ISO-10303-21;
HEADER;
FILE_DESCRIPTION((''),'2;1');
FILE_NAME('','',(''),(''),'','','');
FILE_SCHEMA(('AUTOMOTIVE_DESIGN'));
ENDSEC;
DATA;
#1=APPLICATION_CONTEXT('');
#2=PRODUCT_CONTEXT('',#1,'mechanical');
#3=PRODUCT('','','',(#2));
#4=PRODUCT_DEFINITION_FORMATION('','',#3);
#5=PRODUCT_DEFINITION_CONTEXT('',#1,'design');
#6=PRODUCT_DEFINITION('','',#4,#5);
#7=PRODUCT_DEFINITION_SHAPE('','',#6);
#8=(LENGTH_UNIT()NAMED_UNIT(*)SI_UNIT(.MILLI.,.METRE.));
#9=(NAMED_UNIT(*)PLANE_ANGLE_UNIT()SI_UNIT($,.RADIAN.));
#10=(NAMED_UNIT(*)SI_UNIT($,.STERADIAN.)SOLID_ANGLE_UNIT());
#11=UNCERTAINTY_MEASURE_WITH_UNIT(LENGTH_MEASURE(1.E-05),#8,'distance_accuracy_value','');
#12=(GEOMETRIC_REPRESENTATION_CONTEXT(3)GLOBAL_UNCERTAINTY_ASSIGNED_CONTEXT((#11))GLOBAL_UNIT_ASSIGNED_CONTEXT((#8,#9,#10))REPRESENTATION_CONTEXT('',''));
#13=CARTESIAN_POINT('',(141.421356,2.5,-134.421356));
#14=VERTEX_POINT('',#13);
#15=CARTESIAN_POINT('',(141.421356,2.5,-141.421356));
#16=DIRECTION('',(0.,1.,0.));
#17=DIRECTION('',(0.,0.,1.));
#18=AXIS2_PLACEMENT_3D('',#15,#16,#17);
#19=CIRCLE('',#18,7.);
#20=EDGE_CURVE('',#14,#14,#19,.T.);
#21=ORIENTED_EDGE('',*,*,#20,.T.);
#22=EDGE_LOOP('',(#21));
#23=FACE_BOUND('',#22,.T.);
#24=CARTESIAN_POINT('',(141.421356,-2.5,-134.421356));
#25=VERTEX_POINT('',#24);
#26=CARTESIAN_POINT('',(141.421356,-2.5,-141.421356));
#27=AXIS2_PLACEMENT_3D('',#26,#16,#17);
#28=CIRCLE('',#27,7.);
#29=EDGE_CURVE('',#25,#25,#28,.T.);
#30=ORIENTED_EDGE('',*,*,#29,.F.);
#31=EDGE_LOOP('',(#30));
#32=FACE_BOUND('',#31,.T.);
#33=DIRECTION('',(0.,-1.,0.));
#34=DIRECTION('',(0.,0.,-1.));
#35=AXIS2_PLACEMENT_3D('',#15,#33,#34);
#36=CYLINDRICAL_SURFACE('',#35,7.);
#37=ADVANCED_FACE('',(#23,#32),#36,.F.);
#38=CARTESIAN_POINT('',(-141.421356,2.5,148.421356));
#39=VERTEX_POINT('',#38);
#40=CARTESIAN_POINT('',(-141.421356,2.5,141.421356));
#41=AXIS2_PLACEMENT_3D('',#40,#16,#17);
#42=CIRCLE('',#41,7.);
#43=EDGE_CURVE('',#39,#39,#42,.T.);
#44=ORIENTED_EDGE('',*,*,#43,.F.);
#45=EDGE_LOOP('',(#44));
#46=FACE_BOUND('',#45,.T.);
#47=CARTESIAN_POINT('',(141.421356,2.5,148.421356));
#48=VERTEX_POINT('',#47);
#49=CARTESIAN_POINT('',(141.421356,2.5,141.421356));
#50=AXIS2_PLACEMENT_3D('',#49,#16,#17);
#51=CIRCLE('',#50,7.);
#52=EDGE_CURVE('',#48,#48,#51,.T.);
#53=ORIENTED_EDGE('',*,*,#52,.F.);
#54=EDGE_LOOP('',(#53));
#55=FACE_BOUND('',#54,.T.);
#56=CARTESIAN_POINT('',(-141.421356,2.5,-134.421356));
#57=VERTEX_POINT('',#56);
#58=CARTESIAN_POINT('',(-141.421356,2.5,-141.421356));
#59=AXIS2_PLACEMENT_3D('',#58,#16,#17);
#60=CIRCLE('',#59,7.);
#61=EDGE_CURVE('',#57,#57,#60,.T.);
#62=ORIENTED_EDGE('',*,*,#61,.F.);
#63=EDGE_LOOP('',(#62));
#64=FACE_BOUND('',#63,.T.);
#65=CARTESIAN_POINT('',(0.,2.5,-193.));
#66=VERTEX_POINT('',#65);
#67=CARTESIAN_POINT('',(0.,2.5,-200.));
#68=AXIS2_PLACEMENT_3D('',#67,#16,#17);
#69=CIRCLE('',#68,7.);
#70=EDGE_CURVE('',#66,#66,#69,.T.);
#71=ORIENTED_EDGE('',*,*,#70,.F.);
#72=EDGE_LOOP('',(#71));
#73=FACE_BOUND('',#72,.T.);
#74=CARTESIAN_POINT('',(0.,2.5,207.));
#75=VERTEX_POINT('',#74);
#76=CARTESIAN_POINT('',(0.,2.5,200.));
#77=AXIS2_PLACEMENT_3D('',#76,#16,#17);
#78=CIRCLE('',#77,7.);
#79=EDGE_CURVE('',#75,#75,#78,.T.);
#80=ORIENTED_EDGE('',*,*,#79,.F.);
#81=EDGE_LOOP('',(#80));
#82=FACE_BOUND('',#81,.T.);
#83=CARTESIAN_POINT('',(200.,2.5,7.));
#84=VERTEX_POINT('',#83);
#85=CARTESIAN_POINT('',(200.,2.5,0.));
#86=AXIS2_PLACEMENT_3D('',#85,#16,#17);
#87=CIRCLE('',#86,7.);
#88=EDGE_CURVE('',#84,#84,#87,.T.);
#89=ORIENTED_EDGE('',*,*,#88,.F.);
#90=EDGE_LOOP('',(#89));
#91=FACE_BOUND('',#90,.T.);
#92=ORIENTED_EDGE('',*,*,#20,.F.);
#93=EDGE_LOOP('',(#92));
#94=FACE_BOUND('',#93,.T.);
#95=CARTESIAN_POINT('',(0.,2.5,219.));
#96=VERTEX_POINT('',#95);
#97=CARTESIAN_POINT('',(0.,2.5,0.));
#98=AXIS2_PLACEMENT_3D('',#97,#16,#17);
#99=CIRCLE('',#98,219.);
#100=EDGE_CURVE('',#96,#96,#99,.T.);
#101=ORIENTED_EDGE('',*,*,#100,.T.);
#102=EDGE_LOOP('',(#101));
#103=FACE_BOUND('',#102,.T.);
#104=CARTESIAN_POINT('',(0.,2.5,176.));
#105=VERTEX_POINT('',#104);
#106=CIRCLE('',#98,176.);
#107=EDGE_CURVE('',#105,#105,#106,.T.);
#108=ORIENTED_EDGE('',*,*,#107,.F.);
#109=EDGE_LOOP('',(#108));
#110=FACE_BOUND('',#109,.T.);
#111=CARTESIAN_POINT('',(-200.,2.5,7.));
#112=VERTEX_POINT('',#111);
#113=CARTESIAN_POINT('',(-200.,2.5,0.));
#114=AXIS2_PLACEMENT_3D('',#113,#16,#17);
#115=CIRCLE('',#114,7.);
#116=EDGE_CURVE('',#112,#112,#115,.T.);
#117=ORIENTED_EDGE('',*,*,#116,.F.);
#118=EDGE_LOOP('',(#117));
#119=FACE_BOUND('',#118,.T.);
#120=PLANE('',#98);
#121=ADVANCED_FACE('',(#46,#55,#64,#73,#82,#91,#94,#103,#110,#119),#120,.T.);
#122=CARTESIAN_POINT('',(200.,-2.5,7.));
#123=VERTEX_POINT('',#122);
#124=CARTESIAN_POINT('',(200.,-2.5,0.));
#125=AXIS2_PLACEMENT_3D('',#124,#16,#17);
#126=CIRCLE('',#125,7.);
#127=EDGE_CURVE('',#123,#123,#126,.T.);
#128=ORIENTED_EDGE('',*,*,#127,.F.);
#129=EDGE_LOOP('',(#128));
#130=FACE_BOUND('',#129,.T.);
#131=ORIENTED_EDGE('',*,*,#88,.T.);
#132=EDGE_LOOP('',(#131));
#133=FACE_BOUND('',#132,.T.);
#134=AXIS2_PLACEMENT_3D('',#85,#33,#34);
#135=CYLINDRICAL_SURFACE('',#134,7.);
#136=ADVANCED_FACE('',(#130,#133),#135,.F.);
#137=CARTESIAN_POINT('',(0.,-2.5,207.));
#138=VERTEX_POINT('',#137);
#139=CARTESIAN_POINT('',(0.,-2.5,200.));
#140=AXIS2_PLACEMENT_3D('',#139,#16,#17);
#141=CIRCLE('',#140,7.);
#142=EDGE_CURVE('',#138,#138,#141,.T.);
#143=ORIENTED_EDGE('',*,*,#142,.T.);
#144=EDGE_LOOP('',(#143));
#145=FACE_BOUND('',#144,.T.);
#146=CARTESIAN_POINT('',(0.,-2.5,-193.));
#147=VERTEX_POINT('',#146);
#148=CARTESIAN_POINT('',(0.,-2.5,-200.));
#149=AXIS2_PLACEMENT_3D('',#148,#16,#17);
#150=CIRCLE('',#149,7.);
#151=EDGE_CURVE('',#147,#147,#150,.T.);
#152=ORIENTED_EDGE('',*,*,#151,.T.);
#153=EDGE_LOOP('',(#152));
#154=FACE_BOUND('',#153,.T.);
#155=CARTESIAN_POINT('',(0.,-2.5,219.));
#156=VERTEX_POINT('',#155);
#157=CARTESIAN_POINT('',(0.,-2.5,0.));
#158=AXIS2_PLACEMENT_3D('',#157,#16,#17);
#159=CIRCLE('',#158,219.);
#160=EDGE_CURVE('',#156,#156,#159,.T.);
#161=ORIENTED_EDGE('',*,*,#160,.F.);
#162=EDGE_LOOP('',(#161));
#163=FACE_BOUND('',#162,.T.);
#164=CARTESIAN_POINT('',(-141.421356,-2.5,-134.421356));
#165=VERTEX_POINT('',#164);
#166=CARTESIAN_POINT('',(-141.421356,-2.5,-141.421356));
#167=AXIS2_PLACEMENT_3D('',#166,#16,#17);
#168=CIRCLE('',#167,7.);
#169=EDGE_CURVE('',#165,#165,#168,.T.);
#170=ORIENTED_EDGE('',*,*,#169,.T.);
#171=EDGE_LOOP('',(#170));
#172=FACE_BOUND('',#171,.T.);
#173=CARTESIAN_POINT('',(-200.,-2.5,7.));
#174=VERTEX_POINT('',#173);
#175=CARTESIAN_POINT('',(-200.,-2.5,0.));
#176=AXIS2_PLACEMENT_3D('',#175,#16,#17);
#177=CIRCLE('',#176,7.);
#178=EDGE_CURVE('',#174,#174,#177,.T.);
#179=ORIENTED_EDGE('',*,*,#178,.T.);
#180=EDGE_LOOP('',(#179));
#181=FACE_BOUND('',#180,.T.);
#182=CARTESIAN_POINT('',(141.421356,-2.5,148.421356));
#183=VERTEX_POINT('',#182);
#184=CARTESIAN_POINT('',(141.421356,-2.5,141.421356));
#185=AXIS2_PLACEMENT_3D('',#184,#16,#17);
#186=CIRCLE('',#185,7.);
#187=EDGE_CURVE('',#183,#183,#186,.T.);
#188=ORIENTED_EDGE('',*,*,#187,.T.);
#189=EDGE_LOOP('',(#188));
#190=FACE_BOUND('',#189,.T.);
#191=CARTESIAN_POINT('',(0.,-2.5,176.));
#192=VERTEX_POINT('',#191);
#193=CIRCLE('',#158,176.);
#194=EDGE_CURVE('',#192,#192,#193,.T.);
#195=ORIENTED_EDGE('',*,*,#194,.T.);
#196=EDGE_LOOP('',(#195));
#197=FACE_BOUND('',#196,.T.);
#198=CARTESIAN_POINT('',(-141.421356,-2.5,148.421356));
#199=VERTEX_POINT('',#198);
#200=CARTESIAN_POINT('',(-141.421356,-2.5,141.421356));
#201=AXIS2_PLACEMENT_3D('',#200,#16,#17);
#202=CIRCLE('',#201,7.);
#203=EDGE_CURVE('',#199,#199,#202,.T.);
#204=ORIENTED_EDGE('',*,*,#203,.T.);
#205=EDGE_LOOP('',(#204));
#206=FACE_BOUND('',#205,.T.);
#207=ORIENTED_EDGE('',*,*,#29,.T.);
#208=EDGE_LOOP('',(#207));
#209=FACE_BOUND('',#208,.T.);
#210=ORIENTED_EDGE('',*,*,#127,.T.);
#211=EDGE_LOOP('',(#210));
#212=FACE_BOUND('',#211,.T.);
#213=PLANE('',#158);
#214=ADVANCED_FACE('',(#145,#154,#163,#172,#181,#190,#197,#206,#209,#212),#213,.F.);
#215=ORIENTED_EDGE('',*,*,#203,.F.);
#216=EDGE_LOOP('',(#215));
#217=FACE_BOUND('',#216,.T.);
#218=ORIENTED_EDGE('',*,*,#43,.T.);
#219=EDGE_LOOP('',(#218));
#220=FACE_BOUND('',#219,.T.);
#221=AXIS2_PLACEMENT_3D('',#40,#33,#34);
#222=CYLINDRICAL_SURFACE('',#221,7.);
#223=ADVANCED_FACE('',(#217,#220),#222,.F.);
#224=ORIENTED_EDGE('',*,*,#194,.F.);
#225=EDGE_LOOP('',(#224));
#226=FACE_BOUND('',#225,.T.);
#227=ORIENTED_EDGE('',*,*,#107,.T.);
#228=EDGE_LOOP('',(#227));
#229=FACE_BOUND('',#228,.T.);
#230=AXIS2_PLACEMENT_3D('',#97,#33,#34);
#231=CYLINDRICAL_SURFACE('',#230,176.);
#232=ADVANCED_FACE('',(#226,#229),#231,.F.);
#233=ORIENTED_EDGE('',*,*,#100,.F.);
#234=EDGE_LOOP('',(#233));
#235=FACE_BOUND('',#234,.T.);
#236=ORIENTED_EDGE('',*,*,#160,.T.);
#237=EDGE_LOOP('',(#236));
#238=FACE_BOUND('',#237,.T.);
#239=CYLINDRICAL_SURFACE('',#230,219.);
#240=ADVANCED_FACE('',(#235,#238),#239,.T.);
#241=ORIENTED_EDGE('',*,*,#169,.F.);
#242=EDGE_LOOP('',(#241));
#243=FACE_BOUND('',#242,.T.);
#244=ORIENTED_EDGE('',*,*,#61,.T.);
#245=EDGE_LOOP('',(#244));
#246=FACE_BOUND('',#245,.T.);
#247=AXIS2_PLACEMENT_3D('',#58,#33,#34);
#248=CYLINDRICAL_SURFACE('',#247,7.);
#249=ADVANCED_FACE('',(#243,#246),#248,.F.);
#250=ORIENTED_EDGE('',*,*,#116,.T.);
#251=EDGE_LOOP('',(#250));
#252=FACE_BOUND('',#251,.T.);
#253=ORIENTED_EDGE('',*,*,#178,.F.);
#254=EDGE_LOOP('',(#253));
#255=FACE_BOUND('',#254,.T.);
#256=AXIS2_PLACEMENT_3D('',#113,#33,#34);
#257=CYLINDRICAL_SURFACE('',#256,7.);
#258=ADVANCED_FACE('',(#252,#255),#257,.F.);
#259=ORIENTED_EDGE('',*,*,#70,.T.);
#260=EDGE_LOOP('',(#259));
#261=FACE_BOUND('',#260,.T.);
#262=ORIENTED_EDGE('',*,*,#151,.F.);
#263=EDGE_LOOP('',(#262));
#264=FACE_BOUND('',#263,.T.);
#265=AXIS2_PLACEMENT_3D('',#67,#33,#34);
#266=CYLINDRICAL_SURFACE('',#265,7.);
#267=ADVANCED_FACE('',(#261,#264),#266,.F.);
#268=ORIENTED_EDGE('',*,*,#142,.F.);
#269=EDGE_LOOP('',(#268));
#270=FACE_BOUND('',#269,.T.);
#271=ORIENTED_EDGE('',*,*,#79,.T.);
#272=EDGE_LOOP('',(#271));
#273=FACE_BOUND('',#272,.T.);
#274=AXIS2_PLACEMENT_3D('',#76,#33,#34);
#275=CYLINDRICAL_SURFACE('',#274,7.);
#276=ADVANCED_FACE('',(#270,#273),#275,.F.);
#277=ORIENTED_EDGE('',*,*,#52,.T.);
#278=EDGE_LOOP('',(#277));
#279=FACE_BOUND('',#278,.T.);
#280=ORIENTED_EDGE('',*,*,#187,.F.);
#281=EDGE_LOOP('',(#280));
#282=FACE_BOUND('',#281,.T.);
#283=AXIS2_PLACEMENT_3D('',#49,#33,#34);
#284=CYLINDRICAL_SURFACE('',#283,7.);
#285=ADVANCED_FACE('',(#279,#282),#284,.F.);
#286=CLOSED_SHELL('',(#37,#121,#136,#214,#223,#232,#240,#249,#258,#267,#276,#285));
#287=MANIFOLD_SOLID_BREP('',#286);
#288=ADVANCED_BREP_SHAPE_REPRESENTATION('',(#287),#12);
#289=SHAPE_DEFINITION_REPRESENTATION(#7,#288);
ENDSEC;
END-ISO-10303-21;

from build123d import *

# Parameters (mm, degrees)
SCHIZZO1_R                   = 219
SCHIZZO1_R_2                 = 176
SCHIZZO1_R_3                 = 7
ESTRUSIONE_ESTRUSIONE1_DEPTH = 2.5


with BuildPart() as part:
    # Schizzo1 → Estrusione-Estrusione1 (new, symmetric)
    with BuildSketch(Plane(origin=(0, 0, 0), x_dir=(1, 0, 0), z_dir=(0, 1, 0))):
        with Locations(Location((0, 0, 0), (0, 0, 270))):
            Circle(SCHIZZO1_R)
        with Locations(Location((0, 0, 0), (0, 0, 270))):
            Circle(SCHIZZO1_R_2, mode=Mode.SUBTRACT)
        with Locations(Location((0, 200, 0), (0, 0, 270))):
            Circle(SCHIZZO1_R_3, mode=Mode.SUBTRACT)
        with Locations(Location((141.421356237, 141.421356237, 0), (0, 0, 270))):
            Circle(SCHIZZO1_R_3, mode=Mode.SUBTRACT)
        with Locations(Location((200, 0, 0), (0, 0, 270))):
            Circle(SCHIZZO1_R_3, mode=Mode.SUBTRACT)
        with Locations(Location((141.421356237, -141.421356237, 0), (0, 0, 270))):
            Circle(SCHIZZO1_R_3, mode=Mode.SUBTRACT)
        with Locations(Location((0, -200, 0), (0, 0, 270))):
            Circle(SCHIZZO1_R_3, mode=Mode.SUBTRACT)
        with Locations(Location((-141.421356237, -141.421356237, 0), (0, 0, 270))):
            Circle(SCHIZZO1_R_3, mode=Mode.SUBTRACT)
        with Locations(Location((-200, 0, 0), (0, 0, 270))):
            Circle(SCHIZZO1_R_3, mode=Mode.SUBTRACT)
        with Locations(Location((-141.421356237, 141.421356237, 0), (0, 0, 270))):
            Circle(SCHIZZO1_R_3, mode=Mode.SUBTRACT)
    extrude(amount=ESTRUSIONE_ESTRUSIONE1_DEPTH, both=True)


solid = part.part
